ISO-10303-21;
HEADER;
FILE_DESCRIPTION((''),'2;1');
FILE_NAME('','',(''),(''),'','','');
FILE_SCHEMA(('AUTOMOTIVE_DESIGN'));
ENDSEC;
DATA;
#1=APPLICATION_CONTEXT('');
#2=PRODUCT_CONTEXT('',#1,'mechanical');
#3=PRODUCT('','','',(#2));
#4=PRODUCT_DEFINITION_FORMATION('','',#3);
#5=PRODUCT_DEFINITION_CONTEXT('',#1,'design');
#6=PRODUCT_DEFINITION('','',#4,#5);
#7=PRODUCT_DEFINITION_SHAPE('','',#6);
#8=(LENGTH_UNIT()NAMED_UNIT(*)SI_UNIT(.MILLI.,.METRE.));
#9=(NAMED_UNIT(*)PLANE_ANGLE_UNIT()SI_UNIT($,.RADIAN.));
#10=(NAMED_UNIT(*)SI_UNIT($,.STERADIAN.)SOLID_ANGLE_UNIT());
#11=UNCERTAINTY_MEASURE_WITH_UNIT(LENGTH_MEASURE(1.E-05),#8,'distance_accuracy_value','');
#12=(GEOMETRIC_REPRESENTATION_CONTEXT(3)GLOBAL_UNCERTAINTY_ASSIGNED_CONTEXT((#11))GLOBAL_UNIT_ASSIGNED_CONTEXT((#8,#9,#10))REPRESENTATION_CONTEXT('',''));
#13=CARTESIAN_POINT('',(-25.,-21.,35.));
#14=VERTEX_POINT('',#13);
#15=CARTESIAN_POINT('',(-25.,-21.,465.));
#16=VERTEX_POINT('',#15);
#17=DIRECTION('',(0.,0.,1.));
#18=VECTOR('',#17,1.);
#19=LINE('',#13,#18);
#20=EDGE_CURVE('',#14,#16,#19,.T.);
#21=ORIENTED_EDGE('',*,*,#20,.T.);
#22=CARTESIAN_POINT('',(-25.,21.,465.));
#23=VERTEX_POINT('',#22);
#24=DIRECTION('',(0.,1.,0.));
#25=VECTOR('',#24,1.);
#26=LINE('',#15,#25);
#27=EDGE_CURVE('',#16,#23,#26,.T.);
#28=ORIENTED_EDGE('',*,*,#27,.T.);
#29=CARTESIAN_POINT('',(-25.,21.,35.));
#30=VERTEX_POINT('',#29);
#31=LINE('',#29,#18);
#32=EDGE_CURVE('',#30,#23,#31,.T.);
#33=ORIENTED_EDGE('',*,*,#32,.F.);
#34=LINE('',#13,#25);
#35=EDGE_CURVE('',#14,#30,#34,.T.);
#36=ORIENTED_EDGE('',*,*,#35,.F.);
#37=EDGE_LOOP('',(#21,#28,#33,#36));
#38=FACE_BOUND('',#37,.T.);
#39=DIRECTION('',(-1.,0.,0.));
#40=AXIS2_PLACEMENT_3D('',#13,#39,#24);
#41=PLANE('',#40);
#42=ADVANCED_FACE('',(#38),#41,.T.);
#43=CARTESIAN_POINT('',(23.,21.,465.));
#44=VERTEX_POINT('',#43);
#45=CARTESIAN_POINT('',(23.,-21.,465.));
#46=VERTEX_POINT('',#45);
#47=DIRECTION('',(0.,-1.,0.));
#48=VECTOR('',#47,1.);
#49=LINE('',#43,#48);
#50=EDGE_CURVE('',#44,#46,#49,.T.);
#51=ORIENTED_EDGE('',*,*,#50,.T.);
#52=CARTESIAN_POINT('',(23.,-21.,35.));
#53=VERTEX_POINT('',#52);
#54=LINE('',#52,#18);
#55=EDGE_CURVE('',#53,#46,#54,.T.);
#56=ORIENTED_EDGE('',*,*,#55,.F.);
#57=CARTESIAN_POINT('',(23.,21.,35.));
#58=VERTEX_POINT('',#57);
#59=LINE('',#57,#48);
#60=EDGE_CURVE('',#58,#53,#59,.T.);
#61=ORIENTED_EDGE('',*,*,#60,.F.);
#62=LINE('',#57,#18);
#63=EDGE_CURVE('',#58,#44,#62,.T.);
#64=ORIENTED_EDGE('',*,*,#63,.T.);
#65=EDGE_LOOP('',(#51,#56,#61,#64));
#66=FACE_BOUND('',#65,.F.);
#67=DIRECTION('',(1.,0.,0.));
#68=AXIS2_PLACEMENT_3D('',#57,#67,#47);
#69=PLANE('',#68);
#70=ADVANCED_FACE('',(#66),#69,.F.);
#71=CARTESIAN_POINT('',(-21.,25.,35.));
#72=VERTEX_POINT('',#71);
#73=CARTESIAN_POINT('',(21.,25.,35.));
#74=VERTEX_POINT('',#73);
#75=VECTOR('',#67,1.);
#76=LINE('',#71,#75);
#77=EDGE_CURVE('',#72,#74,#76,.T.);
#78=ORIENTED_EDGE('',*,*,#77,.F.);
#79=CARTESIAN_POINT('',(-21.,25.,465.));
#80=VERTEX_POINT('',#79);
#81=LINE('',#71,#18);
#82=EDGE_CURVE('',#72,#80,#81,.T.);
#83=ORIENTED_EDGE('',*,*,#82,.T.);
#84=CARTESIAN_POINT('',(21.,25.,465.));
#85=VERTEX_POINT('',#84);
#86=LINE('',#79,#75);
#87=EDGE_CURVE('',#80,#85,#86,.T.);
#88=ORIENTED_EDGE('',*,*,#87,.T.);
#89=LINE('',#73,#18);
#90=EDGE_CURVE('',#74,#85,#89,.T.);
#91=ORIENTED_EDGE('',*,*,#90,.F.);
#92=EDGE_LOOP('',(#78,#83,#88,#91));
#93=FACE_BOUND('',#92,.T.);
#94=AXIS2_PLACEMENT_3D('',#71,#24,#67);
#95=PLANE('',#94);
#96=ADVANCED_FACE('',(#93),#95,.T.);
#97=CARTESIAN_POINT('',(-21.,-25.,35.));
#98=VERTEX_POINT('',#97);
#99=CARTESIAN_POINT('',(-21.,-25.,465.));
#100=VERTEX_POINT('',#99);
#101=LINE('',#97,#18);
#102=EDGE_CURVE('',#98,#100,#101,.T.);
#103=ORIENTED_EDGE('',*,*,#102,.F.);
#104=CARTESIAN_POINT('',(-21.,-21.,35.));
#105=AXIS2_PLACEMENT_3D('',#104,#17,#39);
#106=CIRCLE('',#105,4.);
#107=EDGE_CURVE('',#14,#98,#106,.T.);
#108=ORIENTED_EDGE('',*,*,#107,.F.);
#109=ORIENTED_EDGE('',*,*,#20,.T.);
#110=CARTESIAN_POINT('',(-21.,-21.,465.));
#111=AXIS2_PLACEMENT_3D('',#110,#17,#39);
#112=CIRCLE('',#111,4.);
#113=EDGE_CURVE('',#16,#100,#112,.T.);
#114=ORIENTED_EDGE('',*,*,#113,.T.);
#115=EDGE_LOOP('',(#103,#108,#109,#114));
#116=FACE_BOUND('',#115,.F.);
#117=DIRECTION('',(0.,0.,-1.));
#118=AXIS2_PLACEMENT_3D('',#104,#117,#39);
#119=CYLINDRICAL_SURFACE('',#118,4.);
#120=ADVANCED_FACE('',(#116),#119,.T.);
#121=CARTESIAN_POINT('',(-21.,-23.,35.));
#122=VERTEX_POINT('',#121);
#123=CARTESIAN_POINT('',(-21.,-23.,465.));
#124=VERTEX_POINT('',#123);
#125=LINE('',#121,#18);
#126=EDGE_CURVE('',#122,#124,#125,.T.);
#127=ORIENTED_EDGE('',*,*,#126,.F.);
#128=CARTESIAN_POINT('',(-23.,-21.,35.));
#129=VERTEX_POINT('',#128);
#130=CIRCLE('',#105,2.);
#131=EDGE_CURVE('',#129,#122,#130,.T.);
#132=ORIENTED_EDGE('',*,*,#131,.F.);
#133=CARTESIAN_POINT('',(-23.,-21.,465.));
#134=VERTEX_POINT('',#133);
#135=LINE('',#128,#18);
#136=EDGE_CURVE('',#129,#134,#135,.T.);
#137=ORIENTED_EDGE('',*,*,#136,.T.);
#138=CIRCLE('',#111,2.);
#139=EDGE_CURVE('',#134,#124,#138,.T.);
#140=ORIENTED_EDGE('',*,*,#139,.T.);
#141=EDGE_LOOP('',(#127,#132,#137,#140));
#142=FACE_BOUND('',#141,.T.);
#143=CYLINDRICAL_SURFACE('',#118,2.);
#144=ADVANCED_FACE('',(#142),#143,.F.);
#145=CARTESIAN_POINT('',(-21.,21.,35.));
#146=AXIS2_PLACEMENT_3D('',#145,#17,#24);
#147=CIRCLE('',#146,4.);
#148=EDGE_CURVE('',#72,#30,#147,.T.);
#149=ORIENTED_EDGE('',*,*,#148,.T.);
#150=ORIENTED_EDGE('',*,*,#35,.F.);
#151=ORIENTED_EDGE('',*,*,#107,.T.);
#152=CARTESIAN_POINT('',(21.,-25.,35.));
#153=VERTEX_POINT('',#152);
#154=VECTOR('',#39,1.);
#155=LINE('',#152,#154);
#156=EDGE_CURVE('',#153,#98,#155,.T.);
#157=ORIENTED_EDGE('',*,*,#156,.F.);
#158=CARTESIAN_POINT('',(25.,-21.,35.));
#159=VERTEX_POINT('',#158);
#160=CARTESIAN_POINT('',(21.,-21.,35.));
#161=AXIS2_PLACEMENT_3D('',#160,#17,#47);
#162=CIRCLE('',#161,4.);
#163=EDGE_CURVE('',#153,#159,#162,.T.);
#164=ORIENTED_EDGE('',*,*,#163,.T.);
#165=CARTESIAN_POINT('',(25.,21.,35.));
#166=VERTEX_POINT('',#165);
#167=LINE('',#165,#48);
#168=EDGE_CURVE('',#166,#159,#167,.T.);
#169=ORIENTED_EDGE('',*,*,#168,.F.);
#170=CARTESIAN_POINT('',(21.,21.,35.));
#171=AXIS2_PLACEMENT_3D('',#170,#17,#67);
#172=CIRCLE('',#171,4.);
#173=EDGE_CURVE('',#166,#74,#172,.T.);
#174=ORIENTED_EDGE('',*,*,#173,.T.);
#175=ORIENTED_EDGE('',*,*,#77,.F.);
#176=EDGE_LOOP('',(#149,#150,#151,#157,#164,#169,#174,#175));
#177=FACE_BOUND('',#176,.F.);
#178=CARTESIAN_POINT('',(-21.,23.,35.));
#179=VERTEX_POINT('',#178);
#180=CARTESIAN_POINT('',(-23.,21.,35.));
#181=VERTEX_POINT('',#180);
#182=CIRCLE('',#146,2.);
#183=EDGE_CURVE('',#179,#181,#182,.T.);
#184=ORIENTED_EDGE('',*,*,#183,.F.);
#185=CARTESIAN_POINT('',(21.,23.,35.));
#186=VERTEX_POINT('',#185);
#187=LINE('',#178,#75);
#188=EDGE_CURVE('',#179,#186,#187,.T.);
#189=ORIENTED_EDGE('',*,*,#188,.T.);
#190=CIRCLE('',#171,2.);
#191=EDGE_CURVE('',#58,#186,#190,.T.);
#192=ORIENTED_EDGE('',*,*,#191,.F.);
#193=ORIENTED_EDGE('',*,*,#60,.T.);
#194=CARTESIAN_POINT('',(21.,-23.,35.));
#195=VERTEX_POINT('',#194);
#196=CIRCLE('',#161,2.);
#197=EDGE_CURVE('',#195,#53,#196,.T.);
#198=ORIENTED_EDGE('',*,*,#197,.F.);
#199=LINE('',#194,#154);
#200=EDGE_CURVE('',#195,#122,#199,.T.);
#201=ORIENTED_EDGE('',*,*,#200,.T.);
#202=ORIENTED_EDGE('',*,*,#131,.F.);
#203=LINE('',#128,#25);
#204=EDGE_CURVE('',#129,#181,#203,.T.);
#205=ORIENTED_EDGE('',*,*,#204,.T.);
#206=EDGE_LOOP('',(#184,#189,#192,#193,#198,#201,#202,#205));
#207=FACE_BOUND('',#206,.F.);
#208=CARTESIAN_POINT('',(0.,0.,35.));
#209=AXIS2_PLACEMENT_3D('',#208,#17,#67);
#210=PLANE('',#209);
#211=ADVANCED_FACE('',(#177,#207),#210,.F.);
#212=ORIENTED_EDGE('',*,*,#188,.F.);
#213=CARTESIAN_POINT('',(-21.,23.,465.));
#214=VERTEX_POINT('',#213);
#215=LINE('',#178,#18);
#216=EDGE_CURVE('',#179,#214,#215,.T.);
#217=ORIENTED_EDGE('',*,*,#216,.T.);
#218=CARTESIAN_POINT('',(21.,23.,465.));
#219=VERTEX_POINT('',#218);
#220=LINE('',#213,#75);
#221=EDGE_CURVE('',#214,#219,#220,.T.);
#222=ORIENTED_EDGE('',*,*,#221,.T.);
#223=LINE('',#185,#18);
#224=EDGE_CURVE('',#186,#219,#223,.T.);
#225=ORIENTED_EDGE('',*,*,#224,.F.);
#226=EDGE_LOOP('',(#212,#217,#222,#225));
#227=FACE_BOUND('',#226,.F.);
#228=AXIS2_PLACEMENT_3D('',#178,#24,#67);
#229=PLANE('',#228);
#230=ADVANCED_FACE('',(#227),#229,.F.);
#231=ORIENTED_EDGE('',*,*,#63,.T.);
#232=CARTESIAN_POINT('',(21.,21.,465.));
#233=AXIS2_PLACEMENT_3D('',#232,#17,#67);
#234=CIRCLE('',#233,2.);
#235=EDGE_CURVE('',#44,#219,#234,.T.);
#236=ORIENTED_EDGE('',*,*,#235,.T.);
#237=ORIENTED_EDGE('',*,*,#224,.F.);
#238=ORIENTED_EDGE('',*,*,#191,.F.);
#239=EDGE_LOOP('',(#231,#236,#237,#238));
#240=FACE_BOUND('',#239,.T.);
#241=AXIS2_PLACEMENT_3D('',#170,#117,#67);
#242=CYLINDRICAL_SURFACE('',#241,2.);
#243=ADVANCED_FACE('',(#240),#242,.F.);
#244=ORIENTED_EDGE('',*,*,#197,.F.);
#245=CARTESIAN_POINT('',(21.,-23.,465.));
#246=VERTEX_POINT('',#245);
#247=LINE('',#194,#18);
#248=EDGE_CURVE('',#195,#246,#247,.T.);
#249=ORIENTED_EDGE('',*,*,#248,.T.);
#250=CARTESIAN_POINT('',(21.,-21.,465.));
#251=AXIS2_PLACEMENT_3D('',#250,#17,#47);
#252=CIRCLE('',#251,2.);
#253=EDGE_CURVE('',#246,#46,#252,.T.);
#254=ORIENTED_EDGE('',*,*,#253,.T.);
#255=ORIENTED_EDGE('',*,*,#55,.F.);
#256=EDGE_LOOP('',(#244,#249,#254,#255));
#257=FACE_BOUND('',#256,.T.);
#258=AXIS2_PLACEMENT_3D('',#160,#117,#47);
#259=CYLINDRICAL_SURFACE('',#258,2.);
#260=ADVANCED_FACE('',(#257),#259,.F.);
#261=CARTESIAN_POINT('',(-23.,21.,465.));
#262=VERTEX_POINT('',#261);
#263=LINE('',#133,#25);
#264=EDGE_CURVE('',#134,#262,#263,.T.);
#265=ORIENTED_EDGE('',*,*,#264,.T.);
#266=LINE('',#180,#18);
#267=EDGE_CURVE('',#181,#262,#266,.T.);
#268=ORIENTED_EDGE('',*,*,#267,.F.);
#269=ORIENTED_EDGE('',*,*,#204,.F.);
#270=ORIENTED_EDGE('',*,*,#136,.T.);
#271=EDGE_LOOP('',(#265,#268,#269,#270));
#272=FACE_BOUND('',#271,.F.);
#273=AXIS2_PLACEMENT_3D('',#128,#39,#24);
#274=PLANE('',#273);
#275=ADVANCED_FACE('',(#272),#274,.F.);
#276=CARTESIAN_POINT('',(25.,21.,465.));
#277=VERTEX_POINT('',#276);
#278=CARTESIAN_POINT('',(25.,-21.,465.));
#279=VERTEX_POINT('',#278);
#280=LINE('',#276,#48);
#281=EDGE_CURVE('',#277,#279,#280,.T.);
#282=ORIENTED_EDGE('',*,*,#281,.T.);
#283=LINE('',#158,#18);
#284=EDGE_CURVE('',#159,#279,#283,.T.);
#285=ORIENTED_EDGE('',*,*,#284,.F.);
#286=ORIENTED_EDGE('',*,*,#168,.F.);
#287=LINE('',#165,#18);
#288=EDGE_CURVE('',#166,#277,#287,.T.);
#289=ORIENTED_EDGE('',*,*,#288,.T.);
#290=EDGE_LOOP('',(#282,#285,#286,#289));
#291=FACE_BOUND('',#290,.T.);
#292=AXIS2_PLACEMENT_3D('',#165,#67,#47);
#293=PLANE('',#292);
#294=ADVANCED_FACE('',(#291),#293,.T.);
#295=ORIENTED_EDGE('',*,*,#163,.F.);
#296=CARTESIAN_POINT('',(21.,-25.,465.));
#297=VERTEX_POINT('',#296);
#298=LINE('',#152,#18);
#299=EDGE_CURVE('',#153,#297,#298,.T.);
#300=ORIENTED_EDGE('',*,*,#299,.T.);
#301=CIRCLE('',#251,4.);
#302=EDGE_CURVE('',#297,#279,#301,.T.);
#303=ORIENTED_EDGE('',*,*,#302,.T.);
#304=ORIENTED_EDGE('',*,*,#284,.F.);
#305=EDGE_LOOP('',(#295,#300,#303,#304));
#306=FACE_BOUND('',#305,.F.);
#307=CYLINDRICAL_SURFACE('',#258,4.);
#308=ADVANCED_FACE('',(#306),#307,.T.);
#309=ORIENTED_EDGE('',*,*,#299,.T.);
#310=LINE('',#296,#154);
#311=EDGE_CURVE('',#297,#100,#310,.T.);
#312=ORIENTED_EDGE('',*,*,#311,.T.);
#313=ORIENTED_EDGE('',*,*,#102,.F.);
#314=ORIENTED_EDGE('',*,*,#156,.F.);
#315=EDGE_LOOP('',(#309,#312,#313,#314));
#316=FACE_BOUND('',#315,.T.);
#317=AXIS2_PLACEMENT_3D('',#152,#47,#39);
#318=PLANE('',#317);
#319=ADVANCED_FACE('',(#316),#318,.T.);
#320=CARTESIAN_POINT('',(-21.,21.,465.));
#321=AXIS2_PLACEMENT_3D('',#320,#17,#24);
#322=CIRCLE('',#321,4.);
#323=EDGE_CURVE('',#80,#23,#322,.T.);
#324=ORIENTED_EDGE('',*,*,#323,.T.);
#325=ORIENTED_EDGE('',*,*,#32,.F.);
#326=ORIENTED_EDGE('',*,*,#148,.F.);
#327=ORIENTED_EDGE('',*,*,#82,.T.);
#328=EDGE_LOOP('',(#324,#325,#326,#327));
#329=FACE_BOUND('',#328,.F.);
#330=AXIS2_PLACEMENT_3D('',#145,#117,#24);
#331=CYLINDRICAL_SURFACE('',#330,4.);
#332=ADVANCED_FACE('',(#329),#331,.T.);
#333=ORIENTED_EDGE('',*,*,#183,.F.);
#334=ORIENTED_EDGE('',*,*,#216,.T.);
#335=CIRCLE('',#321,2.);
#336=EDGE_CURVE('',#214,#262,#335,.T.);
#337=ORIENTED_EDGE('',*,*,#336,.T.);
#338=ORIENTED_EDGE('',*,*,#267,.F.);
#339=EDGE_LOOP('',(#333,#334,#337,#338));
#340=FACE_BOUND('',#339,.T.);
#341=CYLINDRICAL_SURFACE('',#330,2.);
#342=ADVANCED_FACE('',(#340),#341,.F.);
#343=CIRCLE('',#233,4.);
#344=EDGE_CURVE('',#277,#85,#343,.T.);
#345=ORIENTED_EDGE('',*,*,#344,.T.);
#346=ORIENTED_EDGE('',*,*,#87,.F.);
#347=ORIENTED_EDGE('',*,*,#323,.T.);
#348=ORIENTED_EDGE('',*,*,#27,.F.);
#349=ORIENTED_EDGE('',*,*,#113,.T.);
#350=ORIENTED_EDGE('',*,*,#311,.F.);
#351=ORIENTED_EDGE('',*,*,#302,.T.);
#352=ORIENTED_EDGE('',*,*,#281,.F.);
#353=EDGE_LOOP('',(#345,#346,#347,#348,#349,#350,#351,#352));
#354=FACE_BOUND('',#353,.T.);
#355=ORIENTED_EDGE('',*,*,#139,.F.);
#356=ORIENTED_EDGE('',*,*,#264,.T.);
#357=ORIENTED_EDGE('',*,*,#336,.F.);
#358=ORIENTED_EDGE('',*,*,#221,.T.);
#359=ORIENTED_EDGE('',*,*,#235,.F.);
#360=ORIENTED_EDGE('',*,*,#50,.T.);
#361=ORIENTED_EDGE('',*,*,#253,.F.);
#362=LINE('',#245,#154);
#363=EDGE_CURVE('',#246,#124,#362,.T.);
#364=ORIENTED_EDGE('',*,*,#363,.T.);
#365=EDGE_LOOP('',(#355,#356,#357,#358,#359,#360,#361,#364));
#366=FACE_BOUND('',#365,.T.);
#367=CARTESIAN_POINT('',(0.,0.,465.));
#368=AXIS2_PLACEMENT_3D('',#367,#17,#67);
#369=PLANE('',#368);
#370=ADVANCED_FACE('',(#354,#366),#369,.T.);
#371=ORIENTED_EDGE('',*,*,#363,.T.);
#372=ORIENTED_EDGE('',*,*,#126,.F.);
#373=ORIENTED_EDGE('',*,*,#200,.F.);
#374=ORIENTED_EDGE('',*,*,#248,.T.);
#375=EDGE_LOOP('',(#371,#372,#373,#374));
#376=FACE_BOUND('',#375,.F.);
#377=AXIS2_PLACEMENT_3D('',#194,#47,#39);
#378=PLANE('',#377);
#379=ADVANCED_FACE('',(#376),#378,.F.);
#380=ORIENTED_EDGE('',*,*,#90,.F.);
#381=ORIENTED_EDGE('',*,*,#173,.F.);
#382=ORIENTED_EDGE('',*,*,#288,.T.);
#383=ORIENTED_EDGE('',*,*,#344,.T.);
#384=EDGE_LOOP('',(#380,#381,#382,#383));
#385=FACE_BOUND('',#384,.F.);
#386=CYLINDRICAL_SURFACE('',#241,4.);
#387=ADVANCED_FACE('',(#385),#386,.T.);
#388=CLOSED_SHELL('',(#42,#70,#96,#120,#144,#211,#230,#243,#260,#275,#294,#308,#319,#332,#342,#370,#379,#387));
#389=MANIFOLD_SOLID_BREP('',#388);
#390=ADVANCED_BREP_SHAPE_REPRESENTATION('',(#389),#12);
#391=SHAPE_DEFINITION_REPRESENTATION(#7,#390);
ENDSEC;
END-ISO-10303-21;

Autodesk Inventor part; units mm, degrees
ref_plane "Plano inicial" through (0, 0, 35) normal (0, 0, 1) x (1, 0, 0)
ref_plane "Plano final" through (0, 0, 465) normal (0, 0, 1) x (1, 0, 0)
sketch "Boceto" plane through (0, 0, 0) normal (0, 0, 1) x (1, 0, 0)
  line L0 (-25, -21) -> (-25, 21)
  line L1 (-21, 25) -> (21, 25)
  line L2 (25, 21) -> (25, -21)
  line L3 (21, -25) -> (-21, -25)
  arc A0 (-25, -21) -> (-21, -25) centre (-21, -21) ccw
  arc A1 (25, 21) -> (21, 25) centre (21, 21) ccw
  arc A2 (-21, 25) -> (-25, 21) centre (-21, 21) ccw
  arc A3 (21, -25) -> (25, -21) centre (21, -21) ccw
  arc A4 (-21, 23) -> (-23, 21) centre (-21, 21) ccw
  line L4 (-21, 23) -> (21, 23)
  arc A5 (23, 21) -> (21, 23) centre (21, 21) ccw
  line L5 (23, 21) -> (23, -21)
  arc A6 (21, -23) -> (23, -21) centre (21, -21) ccw
  line L6 (21, -23) -> (-21, -23)
  arc A7 (-23, -21) -> (-21, -23) centre (-21, -21) ccw
  line L7 (-23, -21) -> (-23, 21)
  line L8 (0, 36.1598) -> (0, -36.1598) construction
  line L9 (-36.1598, 0) -> (36.1598, 0) construction
  dimension "d7" = 4
  dimension "d9" = 50
  dimension "d11" = 50
  dimension "d12" = 2
  dimension "d15" = 25
  dimension "d16" = 25
extrude "Cuerpo" add sketch "Boceto" along normal up to surface (430 mm away) from surface at 35
sketch "Sketch3" plane through (0, 0, 0) normal (0, 0, 1) x (1, 0, 0)
  line L0 (0, 0) -> (10, 0)
ref_plane "Work Plane3" through (0, 0, 0) normal (0, -1, 0) x (1, 0, 0)
sketch "Sketch4" plane through (0, 0, 0) normal (0, -1, 0) x (1, 0, 0)
  line L0 (-2, 35) -> (12, 35)
  line L1 (-2, 465) -> (12, 465)
  dimension "d18" = 430
ref_plane "Plano de trabajo4" through (1045, 29, 35) normal (0, 0, -1) x (-1, 0, 0)
split "Dividir1" plane through (1045, 29, 35) removes the side toward (0, 0, -1)
ref_plane "Plano de trabajo5" through (1045, -29, 465) normal (0, 0, 1) x (1, 0, 0)
split "Dividir2" plane through (1045, -29, 465) removes the side toward (0, 0, 1)
equation "\"d7\" = G_IR"
equation "\"d9\" = G_W"
equation "\"d11\" = G_H"
equation "\"d12\" = G_T"
equation "\"d15\" = 0.5 * d9"
equation "\"d16\" = 0.5 * d11"
equation "\"d3\" = G_L"
equation "\"G_W\" = 50"
equation "\"G_H\" = 50"
equation "\"G_T\" = 2"
equation "\"G_IR\" = 4"
equation "\"G_L\" = d18"
equation "\"G_OFFSET_START\" = -35"
equation "\"G_OFFSET_END\" = -35"
equation "\"d13\" = -G_OFFSET_START"
equation "\"d14\" = G_OFFSET_END + B_L"
equation "\"B_L\" = 500"
properties part number "ISO 10799-2 - 50x50x2 - 430" material "Galvanizado catalogo 1"
